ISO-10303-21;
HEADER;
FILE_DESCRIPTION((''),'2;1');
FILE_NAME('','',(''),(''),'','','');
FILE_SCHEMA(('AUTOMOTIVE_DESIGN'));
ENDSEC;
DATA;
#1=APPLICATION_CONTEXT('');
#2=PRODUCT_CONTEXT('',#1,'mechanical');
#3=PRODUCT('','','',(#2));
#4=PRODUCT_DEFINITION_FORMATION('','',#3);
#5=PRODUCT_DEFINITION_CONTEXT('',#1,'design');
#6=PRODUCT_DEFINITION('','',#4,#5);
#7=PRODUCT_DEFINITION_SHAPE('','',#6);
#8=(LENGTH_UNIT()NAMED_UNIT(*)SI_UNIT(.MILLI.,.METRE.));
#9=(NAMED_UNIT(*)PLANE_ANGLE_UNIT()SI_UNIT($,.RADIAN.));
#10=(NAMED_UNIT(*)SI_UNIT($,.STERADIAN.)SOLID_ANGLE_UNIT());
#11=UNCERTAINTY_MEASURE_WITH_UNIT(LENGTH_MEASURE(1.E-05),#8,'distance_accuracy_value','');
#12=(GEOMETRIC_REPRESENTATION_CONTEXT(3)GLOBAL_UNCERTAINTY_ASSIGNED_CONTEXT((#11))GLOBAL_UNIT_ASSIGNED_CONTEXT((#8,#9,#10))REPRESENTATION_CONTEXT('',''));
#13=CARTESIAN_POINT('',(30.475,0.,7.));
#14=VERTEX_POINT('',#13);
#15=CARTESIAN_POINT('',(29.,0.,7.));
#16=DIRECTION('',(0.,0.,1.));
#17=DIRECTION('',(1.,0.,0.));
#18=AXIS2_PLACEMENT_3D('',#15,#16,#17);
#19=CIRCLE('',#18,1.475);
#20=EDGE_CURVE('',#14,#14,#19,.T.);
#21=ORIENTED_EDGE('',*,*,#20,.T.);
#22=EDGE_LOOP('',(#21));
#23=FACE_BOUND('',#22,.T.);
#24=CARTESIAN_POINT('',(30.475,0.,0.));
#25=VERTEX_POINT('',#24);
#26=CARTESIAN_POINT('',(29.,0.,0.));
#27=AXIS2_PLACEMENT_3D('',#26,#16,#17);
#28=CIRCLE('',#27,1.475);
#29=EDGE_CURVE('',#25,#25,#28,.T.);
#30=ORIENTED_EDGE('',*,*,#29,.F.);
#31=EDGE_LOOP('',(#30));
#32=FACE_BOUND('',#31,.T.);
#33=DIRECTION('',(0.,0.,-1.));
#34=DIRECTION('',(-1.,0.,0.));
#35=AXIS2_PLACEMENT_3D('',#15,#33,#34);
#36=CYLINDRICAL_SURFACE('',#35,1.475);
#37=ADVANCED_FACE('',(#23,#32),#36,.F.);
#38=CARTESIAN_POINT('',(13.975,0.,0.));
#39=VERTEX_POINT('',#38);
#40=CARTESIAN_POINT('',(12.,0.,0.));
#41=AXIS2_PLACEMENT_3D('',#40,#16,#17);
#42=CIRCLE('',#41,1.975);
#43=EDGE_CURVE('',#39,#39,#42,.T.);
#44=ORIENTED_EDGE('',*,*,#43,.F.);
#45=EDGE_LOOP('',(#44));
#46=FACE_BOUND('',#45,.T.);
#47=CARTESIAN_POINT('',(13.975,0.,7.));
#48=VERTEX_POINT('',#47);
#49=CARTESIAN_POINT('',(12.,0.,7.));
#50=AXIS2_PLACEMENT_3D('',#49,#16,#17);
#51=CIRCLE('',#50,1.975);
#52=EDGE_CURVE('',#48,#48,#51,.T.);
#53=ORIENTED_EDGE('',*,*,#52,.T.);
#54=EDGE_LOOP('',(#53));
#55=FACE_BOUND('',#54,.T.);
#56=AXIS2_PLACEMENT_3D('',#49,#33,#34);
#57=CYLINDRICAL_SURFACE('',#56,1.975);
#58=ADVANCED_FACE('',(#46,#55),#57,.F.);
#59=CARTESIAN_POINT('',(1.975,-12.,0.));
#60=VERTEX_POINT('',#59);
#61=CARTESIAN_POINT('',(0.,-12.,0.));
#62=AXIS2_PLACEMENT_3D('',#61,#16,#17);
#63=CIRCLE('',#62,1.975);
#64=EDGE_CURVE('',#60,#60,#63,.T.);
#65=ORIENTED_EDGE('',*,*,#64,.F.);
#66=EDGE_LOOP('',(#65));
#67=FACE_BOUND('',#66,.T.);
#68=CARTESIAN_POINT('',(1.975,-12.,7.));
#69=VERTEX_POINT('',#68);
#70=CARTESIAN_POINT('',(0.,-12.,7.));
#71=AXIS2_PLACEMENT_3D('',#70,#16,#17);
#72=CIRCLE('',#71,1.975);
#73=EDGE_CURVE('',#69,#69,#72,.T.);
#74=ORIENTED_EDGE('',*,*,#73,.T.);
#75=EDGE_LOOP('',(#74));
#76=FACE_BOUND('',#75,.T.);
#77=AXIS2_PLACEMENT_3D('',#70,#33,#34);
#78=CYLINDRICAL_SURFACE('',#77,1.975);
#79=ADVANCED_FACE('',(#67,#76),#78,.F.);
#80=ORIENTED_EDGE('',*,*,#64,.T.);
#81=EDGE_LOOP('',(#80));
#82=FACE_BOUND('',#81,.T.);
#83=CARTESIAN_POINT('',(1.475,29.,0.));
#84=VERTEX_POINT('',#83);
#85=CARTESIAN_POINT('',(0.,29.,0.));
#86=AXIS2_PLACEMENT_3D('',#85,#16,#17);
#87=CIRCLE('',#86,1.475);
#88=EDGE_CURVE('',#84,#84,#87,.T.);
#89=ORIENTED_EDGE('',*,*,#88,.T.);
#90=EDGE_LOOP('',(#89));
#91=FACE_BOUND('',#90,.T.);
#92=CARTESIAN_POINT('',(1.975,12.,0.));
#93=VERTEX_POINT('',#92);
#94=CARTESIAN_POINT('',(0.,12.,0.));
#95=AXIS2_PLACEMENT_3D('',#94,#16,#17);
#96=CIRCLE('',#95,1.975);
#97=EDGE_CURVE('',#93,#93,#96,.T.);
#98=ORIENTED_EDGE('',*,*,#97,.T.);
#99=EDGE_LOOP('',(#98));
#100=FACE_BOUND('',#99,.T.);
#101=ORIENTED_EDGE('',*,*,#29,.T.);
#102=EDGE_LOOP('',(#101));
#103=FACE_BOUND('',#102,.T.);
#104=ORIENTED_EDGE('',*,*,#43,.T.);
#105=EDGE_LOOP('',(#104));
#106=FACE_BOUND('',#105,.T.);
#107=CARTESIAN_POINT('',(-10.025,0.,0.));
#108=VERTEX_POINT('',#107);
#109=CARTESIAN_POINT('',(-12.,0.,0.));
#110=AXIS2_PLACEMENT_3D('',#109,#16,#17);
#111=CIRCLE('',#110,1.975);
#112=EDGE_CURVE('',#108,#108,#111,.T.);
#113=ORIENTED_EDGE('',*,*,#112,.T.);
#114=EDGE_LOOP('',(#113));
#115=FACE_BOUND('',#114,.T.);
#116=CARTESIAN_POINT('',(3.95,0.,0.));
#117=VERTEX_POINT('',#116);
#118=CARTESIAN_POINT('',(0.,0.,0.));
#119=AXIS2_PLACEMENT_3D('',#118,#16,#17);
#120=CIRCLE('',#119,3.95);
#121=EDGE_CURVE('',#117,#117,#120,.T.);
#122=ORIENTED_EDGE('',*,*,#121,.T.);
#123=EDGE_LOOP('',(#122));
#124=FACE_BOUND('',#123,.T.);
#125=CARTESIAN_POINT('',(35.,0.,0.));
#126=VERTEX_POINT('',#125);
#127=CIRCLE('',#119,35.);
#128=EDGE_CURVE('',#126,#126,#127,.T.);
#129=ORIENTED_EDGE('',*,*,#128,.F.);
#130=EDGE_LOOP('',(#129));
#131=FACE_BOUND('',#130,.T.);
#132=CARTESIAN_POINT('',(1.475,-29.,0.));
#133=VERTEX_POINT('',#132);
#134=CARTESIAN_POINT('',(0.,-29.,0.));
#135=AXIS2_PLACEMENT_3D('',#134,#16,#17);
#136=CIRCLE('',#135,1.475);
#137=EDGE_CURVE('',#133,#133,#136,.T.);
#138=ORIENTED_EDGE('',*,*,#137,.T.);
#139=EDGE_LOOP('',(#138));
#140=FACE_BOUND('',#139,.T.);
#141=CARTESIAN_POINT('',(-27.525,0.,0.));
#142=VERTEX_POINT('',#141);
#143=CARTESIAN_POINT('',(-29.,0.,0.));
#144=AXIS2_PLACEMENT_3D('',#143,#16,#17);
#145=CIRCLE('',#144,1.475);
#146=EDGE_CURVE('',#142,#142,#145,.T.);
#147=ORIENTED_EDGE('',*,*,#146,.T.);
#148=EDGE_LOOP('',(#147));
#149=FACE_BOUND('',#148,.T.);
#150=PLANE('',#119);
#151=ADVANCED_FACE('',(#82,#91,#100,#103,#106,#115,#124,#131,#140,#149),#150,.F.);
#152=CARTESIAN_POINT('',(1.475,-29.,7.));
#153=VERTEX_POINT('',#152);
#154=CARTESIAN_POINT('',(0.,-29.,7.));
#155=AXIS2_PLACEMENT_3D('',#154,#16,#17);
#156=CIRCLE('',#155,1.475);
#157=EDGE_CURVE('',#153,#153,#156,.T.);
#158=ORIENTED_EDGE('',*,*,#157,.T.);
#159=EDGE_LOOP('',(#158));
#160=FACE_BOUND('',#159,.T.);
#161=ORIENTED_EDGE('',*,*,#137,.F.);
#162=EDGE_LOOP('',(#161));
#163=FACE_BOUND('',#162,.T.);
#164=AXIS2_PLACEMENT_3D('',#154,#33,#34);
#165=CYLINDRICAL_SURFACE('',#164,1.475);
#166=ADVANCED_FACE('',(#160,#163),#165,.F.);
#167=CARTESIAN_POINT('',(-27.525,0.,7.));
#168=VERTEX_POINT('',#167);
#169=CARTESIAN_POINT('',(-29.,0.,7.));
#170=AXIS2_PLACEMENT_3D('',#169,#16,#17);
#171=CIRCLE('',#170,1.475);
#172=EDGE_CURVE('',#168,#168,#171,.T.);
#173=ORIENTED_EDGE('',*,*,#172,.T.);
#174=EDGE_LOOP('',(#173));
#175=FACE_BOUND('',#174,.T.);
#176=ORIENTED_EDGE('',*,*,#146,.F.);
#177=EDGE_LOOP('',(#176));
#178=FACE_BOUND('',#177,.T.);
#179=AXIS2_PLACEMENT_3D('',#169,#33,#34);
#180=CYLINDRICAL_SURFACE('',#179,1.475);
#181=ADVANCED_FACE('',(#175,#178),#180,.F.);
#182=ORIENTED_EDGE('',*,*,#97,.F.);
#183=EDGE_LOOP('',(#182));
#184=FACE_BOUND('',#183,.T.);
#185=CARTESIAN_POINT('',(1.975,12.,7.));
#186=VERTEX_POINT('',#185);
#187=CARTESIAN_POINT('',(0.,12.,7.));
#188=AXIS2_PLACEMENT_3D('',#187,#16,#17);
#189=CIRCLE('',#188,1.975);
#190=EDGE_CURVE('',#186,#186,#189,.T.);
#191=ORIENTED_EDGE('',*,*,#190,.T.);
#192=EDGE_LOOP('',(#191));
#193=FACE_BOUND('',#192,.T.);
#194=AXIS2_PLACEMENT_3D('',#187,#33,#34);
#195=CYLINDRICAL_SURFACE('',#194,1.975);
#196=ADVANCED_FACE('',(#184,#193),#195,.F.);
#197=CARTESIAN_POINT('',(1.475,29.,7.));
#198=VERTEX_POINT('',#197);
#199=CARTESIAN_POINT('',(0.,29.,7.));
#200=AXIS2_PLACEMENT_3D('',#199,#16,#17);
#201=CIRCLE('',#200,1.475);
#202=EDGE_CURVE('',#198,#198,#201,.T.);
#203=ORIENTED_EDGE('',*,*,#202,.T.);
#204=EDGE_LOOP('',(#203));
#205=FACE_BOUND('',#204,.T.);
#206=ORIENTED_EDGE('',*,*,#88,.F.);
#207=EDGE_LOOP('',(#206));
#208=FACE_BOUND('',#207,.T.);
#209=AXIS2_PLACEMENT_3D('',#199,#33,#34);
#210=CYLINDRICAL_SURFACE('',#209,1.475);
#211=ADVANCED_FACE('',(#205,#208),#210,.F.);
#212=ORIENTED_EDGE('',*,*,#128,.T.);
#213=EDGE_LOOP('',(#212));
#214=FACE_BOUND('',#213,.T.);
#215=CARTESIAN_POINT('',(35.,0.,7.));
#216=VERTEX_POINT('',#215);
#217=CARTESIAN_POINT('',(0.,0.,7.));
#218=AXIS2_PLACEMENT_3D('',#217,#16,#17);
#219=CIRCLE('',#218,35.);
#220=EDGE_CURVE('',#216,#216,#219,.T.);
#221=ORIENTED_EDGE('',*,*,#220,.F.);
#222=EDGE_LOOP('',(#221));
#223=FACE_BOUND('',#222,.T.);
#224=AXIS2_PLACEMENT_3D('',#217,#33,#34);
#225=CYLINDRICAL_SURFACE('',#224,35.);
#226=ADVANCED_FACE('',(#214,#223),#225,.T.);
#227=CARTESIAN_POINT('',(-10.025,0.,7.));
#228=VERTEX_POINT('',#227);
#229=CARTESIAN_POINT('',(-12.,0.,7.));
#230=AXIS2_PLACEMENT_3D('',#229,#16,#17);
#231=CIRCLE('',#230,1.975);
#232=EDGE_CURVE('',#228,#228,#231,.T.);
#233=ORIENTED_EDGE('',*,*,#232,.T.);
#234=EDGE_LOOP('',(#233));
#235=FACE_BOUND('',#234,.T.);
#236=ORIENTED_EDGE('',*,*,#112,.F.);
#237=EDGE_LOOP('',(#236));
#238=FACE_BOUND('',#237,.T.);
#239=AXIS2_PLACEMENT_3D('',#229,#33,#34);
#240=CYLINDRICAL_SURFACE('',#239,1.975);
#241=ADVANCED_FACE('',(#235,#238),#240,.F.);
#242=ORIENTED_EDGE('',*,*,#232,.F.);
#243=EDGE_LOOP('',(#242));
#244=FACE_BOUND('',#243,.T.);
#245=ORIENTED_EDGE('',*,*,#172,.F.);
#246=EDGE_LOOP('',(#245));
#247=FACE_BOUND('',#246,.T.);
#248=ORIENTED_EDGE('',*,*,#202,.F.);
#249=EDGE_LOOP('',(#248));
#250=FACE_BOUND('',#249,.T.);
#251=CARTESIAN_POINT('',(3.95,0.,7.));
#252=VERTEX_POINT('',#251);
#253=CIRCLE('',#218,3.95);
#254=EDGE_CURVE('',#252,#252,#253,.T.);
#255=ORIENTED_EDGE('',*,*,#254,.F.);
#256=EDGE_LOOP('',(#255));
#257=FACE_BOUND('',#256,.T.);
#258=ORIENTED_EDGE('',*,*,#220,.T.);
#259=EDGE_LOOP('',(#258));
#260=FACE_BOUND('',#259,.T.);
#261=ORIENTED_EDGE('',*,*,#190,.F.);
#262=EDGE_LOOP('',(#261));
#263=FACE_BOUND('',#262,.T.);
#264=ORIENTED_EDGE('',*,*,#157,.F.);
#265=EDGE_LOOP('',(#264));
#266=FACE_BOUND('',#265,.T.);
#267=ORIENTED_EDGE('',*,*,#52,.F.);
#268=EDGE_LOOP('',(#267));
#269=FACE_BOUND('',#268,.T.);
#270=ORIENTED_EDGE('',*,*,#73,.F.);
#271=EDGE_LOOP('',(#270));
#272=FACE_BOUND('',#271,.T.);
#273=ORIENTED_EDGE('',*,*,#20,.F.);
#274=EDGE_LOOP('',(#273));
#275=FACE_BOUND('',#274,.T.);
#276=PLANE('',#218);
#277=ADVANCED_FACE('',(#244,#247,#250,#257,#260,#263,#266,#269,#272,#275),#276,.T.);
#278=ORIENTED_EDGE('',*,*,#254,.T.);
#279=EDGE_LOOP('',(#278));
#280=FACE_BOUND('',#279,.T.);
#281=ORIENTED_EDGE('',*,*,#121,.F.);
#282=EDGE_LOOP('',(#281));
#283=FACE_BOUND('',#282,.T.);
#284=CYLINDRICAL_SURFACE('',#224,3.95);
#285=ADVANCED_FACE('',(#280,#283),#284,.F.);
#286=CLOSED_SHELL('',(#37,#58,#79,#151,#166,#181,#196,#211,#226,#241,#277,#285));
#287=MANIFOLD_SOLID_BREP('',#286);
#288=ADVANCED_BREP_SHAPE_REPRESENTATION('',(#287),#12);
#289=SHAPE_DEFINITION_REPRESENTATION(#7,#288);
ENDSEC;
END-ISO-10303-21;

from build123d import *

# Parameters (mm, degrees)
SKETCH1_R           = 35
SKETCH1_R_2         = 3.95
SKETCH1_R_3         = 1.975
SKETCH1_R_4         = 1.475
BOSS_EXTRUDE1_DEPTH = 7


with BuildPart() as part:
    # Sketch1 → Boss-Extrude1 (new body)
    with BuildSketch(Plane.XY):
        Circle(SKETCH1_R)
        Circle(SKETCH1_R_2, mode=Mode.SUBTRACT)
        with Locations((0, 12)):
            Circle(SKETCH1_R_3, mode=Mode.SUBTRACT)
        with Locations((0, 29)):
            Circle(SKETCH1_R_4, mode=Mode.SUBTRACT)
        with Locations((29, 0)):
            Circle(SKETCH1_R_4, mode=Mode.SUBTRACT)
        with Locations((0, -29)):
            Circle(SKETCH1_R_4, mode=Mode.SUBTRACT)
        with Locations((-29, 0)):
            Circle(SKETCH1_R_4, mode=Mode.SUBTRACT)
        with Locations((12, 0)):
            Circle(SKETCH1_R_3, mode=Mode.SUBTRACT)
        with Locations((0, -12)):
            Circle(SKETCH1_R_3, mode=Mode.SUBTRACT)
        with Locations((-12, 0)):
            Circle(SKETCH1_R_3, mode=Mode.SUBTRACT)
    extrude(amount=BOSS_EXTRUDE1_DEPTH)


solid = part.part
